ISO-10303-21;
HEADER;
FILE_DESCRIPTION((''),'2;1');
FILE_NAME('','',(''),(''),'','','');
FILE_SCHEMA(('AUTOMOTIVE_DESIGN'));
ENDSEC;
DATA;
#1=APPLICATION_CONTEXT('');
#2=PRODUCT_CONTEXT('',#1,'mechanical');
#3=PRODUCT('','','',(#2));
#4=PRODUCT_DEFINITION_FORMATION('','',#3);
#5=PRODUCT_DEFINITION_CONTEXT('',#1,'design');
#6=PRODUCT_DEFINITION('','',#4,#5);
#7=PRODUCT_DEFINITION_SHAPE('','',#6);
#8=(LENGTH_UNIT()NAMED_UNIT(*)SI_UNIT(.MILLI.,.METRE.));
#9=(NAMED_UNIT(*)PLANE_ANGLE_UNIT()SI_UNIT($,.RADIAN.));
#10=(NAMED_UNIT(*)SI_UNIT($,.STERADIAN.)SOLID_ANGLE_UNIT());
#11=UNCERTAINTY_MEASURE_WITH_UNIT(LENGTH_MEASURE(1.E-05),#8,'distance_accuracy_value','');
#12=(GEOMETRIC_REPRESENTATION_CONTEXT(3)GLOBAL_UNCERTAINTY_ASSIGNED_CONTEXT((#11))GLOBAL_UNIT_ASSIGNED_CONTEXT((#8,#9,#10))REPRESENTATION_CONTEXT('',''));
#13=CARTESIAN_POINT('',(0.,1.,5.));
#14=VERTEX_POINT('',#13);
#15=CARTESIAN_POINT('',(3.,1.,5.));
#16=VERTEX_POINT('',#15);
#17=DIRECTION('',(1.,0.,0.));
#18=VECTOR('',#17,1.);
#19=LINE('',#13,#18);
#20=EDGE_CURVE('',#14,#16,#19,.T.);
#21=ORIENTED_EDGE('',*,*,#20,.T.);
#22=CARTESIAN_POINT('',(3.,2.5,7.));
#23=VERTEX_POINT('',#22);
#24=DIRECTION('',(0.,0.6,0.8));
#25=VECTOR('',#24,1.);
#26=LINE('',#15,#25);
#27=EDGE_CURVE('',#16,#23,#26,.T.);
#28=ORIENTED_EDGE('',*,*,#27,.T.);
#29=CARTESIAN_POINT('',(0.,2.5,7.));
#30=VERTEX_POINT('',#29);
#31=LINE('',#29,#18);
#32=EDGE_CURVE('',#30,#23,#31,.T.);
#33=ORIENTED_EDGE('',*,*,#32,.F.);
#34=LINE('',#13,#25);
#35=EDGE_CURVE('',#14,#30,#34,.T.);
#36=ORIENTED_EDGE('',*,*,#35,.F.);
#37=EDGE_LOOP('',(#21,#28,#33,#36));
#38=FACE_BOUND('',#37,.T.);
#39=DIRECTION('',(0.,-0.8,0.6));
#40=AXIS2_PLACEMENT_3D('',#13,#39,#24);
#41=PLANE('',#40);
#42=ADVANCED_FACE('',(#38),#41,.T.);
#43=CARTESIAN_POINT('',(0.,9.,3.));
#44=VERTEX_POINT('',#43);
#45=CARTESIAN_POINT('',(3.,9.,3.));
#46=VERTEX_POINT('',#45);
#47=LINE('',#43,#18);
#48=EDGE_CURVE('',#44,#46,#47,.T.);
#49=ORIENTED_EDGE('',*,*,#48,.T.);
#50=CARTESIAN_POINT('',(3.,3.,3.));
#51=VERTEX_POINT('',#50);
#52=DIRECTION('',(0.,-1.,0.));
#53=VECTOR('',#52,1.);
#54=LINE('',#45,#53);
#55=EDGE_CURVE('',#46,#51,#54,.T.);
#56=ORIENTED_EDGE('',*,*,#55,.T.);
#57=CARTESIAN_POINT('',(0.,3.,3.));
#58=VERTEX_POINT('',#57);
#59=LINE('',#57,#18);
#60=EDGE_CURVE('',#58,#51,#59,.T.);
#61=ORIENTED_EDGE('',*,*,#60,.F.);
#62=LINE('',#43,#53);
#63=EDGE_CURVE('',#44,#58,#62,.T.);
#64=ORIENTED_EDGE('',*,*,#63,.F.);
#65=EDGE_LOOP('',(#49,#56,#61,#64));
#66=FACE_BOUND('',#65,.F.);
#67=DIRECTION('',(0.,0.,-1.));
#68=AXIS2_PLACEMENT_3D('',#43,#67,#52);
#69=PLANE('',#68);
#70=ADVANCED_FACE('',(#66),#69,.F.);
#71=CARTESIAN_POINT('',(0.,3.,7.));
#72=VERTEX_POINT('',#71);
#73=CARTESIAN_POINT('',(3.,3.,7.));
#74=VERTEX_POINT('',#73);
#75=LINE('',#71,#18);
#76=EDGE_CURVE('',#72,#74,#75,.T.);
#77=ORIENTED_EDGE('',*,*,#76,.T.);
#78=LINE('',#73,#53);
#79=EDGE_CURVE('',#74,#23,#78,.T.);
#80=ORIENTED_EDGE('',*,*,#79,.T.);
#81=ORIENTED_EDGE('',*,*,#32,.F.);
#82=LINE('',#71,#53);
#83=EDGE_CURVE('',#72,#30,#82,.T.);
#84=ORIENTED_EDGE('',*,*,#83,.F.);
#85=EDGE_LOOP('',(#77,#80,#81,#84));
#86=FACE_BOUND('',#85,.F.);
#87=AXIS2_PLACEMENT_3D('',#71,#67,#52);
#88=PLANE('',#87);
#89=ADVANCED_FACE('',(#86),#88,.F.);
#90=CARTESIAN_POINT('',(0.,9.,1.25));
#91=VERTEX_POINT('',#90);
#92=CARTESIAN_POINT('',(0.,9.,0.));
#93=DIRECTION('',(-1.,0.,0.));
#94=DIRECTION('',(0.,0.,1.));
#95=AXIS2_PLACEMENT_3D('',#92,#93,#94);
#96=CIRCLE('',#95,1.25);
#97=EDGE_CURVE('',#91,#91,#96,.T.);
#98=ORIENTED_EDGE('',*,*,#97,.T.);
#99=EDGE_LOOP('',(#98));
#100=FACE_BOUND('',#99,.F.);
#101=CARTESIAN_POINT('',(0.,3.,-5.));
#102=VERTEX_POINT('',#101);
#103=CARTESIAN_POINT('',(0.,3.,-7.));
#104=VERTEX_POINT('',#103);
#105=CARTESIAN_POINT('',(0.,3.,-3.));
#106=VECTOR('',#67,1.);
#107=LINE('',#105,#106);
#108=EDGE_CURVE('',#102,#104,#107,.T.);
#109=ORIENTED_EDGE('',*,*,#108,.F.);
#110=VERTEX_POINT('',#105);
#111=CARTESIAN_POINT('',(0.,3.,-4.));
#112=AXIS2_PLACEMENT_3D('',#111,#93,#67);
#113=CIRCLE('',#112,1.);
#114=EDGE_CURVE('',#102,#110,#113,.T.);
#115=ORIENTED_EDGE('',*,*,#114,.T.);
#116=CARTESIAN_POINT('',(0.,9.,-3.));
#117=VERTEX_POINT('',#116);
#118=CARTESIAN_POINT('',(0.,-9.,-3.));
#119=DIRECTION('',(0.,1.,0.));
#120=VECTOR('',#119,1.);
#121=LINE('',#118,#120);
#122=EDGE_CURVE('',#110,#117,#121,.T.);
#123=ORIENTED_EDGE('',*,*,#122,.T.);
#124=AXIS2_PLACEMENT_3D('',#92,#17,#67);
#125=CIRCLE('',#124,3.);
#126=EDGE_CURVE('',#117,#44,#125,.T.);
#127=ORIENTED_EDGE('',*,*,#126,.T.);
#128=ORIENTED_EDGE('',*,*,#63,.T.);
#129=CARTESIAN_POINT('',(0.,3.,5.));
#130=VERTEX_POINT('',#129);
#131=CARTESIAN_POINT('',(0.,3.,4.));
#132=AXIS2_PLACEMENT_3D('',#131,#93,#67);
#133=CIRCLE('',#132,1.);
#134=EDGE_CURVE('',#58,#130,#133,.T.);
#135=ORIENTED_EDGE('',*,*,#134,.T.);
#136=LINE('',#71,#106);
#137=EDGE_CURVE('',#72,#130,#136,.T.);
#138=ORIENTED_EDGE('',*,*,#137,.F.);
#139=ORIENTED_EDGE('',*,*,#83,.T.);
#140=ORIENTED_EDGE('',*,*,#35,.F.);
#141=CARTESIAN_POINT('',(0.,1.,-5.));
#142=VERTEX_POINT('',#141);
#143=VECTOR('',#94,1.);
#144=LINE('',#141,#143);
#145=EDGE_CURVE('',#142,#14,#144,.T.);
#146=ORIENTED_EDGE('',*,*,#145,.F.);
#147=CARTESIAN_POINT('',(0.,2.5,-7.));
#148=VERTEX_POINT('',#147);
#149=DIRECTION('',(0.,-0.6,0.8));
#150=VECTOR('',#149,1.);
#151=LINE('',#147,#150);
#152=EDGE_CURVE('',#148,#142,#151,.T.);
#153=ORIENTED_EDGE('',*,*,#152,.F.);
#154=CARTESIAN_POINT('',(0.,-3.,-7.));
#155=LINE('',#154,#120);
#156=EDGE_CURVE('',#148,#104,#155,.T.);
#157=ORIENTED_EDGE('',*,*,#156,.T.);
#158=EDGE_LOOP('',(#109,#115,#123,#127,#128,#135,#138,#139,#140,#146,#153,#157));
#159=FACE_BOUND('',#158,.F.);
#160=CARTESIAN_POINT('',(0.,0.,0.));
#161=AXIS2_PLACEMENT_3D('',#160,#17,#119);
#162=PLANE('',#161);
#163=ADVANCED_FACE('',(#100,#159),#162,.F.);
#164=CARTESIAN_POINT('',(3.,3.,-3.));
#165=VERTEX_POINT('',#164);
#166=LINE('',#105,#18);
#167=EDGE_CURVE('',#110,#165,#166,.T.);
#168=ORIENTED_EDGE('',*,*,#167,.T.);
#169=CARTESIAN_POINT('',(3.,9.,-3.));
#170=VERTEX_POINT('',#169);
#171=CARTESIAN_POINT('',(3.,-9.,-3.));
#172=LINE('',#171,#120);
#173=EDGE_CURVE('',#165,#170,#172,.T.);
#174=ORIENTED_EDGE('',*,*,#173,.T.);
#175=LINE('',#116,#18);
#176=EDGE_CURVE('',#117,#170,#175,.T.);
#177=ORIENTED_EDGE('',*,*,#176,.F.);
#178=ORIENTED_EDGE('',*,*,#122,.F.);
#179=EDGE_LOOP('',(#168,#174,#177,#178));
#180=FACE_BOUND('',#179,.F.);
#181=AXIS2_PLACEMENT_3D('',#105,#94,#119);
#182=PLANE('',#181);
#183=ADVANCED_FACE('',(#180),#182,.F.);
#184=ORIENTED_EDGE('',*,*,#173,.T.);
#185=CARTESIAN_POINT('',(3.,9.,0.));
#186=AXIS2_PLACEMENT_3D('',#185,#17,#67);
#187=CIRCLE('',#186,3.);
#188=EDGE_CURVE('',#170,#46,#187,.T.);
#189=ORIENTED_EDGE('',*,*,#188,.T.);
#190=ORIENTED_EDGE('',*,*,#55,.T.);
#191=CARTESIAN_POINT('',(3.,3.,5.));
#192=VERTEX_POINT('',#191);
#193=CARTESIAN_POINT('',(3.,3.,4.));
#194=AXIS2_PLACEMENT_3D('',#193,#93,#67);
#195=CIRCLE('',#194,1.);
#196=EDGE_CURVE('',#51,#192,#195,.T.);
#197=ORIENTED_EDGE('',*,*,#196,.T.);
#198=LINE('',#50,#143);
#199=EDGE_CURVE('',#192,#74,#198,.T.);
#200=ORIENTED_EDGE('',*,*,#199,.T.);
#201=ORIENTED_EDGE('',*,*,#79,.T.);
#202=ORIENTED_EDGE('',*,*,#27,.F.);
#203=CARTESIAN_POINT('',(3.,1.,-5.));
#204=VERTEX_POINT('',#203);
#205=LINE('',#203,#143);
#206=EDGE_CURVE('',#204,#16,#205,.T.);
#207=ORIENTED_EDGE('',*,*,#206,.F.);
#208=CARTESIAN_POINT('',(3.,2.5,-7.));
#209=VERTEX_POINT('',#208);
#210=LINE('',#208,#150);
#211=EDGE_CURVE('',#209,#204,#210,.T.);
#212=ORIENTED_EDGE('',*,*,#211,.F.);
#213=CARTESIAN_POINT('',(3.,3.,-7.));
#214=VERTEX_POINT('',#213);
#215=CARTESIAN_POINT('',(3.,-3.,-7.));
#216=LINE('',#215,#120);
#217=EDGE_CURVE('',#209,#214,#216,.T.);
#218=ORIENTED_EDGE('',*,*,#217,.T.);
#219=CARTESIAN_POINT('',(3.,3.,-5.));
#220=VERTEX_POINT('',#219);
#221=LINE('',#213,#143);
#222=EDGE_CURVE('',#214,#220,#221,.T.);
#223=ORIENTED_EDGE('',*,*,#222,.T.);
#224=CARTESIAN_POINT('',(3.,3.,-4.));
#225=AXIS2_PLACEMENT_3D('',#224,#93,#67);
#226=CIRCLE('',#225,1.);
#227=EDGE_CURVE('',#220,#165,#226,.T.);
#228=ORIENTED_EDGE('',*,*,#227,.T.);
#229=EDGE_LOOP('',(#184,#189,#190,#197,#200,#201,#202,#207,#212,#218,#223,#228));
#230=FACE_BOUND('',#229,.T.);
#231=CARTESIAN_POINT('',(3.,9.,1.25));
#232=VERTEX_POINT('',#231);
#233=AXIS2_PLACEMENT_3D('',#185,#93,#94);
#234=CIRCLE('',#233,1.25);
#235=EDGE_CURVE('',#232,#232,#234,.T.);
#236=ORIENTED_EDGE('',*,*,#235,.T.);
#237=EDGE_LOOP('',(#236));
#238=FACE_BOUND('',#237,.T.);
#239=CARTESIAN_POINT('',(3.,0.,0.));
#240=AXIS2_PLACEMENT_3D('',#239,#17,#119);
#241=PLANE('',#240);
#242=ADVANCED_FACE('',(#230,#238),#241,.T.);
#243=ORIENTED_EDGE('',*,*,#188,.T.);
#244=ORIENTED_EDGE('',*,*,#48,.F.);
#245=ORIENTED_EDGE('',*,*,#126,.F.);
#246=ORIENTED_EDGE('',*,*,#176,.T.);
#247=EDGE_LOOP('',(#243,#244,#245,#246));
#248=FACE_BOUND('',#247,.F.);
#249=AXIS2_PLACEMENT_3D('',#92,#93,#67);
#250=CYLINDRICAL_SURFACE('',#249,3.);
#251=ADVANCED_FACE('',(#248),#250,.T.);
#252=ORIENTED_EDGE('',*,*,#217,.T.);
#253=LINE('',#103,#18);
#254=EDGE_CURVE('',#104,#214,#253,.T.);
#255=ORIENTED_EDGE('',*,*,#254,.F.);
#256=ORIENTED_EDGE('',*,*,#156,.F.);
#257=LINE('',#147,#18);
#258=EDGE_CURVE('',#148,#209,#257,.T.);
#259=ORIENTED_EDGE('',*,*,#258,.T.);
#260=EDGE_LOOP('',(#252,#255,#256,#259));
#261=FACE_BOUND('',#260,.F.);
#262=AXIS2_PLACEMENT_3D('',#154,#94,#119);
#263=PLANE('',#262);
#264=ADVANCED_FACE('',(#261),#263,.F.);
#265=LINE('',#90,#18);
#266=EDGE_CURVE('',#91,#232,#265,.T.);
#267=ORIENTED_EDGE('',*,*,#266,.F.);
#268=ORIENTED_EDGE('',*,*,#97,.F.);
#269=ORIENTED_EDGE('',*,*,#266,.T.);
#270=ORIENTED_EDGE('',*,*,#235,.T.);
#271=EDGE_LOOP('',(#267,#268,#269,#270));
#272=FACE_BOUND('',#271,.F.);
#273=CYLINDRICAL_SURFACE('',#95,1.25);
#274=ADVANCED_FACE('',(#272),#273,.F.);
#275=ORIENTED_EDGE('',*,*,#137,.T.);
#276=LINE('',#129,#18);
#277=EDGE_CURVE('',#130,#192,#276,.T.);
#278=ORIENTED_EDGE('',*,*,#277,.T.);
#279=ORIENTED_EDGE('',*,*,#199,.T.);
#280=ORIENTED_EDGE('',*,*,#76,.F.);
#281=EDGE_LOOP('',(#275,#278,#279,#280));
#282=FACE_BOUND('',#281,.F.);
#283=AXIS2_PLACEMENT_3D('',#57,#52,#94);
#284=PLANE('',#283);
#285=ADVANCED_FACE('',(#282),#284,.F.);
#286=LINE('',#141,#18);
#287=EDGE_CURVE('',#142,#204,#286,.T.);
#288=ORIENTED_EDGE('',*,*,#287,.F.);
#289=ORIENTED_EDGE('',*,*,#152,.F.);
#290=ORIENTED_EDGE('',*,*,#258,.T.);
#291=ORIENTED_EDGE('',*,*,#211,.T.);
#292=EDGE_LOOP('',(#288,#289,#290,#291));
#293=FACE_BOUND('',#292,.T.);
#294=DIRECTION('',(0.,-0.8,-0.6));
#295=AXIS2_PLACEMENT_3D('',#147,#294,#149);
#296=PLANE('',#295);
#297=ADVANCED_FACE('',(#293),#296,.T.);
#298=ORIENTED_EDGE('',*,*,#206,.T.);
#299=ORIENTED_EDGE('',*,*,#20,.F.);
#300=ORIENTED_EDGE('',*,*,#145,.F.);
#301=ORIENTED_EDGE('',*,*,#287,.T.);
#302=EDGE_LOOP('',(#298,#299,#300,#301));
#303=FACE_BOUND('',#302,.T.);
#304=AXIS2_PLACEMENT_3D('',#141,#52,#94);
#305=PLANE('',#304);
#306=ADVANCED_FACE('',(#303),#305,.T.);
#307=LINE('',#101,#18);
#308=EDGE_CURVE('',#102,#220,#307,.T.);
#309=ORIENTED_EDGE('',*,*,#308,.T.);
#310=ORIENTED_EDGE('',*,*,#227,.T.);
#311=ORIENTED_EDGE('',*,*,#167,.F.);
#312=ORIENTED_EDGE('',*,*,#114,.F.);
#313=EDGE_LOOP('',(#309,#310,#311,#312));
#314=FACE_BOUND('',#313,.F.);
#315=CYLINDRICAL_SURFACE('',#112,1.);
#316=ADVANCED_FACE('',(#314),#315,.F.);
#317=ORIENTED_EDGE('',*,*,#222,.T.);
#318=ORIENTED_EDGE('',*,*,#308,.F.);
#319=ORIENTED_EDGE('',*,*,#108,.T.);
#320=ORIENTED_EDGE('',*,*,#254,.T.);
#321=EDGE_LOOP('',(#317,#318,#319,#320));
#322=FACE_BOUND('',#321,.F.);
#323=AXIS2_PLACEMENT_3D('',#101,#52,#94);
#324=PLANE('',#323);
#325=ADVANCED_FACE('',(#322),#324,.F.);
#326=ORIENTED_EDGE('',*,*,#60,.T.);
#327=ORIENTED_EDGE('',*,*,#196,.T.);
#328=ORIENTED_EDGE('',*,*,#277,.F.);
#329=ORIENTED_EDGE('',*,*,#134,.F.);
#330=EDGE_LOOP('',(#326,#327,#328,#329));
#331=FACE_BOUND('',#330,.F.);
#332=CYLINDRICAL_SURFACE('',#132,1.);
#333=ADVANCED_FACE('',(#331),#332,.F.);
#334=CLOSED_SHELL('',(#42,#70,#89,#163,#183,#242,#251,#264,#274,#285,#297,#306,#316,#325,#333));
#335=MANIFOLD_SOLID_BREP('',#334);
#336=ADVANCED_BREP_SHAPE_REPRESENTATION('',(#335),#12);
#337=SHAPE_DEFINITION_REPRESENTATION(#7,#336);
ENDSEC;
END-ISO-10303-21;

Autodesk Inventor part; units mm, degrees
ref_plane "YZ Plane" through (0, 0, 0) normal (1, 0, 0) x (0, 1, 0)
ref_plane "XZ Plane" through (0, 0, 0) normal (0, 1, 0) x (-1, 0, 0)
ref_plane "XY Plane" through (0, 0, 0) normal (0, 0, 1) x (1, 0, 0)
sketch "スケッチ1" plane through (0, 0, 0) normal (1, 0, 0) x (0, 1, 0)
  line L0 (9, 0) -> (-9, 0) construction
  line L1 (9, 3) -> (-9, 3)
  line L2 (-9, -3) -> (9, -3)
  arc A0 (9, -3) -> (9, 3) centre (9, 0) ccw
  arc A1 (-9, 3) -> (-9, -3) centre (-9, 0) ccw
  line L3 (3, 7) -> (-3, 7)
  line L4 (-3, -7) -> (3, -7)
  line L5 (3, 7) -> (-3, -7) construction
  line L6 (-3, 7) -> (3, -7) construction
  line L7 (-3, 7) -> (-3, 5)
  line L8 (3, 5) -> (3, 7)
  line L9 (3, -7) -> (3, -5)
  line L10 (3, -3) -> (3, 3)
  line L11 (-3, 3) -> (-3, -3)
  line L12 (-3, -5) -> (-3, -7)
  circle A2 centre (-9, 0) radius 1.25
  circle A3 centre (9, 0) radius 1.25
  line L13 (3, -5) -> (3, -3)
  line L14 (3, 3) -> (3, 5)
  line L15 (-3, 5) -> (-3, 3)
  line L16 (-3, -3) -> (-3, -5)
  point P0 (0, 0)
  dimension "d0" = 6
  dimension "d1" = 6
  dimension "d3" = 14
  dimension "d4" = 18
  dimension "d7" = 0
  dimension "d8" = 6
  dimension "d9" = 4
  dimension "d11" = 2.5
  dimension "d12" = 2.5
extrude "押し出し1" add sketch "スケッチ1" along normal blind 3 contours A0 L2 L10 L1 | L10 L2 L11 L1 | L1 L15 L7 L3 L8 L14 | L11 L2 A1 L1 | L13 L9 L4 L12 L16 L2 | A2 | A3
sketch "スケッチ2" plane through (0, 0, 0) normal (-1, 0, 0) x (0, 0, 1)
  circle A0 centre (0, 9) radius 1.25 projected
  circle A1 centre (0, -9) radius 1.25 projected
  line L0 (-3, 3) -> (-7, 3) projected
  line L1 (-7, 3) -> (-7, -3) projected
  line L2 (-7, -3) -> (-3, -3) projected
  line L3 (-3, -3) -> (-3, -9) projected
  arc A2 (-3, -9) -> (3, -9) centre (0, -9) ccw projected
  line L4 (3, -9) -> (3, -3) projected
  line L5 (3, -3) -> (7, -3) projected
  line L6 (7, -3) -> (7, 3) projected
  line L7 (7, 3) -> (3, 3) projected
  line L8 (3, 3) -> (3, 9) projected
  arc A3 (3, 9) -> (-3, 9) centre (0, 9) ccw projected
  line L9 (-3, 9) -> (-3, 3) projected
  line L10 (-7, 2.5) -> (-5, 1)
  line L11 (-5, 1) -> (5, 1)
  line L12 (5, 1) -> (7, 2.5)
  line L13 (3, 3) -> (3, 9) projected
  line L14 (-3, 9) -> (-3, 3) projected
  arc A4 (-5, 3) -> (-3, 3) centre (-4, 3) ccw
  arc A5 (3, 3) -> (5, 3) centre (4, 3) ccw
  point P0 (0, 0)
  point P1 (0, 1)
  dimension "d17" = 10
  dimension "d18" = 2
  dimension "d19" = 0.5
  dimension "d26" = 2
extrude "押し出し4" cut sketch "スケッチ2" against normal through all contours L9 A3 L8 A5 L7 L6 L12 L11 L10 L1 L0 A4 keep common part
properties part number "tip3" material "アルミニウム 2014-T4"
